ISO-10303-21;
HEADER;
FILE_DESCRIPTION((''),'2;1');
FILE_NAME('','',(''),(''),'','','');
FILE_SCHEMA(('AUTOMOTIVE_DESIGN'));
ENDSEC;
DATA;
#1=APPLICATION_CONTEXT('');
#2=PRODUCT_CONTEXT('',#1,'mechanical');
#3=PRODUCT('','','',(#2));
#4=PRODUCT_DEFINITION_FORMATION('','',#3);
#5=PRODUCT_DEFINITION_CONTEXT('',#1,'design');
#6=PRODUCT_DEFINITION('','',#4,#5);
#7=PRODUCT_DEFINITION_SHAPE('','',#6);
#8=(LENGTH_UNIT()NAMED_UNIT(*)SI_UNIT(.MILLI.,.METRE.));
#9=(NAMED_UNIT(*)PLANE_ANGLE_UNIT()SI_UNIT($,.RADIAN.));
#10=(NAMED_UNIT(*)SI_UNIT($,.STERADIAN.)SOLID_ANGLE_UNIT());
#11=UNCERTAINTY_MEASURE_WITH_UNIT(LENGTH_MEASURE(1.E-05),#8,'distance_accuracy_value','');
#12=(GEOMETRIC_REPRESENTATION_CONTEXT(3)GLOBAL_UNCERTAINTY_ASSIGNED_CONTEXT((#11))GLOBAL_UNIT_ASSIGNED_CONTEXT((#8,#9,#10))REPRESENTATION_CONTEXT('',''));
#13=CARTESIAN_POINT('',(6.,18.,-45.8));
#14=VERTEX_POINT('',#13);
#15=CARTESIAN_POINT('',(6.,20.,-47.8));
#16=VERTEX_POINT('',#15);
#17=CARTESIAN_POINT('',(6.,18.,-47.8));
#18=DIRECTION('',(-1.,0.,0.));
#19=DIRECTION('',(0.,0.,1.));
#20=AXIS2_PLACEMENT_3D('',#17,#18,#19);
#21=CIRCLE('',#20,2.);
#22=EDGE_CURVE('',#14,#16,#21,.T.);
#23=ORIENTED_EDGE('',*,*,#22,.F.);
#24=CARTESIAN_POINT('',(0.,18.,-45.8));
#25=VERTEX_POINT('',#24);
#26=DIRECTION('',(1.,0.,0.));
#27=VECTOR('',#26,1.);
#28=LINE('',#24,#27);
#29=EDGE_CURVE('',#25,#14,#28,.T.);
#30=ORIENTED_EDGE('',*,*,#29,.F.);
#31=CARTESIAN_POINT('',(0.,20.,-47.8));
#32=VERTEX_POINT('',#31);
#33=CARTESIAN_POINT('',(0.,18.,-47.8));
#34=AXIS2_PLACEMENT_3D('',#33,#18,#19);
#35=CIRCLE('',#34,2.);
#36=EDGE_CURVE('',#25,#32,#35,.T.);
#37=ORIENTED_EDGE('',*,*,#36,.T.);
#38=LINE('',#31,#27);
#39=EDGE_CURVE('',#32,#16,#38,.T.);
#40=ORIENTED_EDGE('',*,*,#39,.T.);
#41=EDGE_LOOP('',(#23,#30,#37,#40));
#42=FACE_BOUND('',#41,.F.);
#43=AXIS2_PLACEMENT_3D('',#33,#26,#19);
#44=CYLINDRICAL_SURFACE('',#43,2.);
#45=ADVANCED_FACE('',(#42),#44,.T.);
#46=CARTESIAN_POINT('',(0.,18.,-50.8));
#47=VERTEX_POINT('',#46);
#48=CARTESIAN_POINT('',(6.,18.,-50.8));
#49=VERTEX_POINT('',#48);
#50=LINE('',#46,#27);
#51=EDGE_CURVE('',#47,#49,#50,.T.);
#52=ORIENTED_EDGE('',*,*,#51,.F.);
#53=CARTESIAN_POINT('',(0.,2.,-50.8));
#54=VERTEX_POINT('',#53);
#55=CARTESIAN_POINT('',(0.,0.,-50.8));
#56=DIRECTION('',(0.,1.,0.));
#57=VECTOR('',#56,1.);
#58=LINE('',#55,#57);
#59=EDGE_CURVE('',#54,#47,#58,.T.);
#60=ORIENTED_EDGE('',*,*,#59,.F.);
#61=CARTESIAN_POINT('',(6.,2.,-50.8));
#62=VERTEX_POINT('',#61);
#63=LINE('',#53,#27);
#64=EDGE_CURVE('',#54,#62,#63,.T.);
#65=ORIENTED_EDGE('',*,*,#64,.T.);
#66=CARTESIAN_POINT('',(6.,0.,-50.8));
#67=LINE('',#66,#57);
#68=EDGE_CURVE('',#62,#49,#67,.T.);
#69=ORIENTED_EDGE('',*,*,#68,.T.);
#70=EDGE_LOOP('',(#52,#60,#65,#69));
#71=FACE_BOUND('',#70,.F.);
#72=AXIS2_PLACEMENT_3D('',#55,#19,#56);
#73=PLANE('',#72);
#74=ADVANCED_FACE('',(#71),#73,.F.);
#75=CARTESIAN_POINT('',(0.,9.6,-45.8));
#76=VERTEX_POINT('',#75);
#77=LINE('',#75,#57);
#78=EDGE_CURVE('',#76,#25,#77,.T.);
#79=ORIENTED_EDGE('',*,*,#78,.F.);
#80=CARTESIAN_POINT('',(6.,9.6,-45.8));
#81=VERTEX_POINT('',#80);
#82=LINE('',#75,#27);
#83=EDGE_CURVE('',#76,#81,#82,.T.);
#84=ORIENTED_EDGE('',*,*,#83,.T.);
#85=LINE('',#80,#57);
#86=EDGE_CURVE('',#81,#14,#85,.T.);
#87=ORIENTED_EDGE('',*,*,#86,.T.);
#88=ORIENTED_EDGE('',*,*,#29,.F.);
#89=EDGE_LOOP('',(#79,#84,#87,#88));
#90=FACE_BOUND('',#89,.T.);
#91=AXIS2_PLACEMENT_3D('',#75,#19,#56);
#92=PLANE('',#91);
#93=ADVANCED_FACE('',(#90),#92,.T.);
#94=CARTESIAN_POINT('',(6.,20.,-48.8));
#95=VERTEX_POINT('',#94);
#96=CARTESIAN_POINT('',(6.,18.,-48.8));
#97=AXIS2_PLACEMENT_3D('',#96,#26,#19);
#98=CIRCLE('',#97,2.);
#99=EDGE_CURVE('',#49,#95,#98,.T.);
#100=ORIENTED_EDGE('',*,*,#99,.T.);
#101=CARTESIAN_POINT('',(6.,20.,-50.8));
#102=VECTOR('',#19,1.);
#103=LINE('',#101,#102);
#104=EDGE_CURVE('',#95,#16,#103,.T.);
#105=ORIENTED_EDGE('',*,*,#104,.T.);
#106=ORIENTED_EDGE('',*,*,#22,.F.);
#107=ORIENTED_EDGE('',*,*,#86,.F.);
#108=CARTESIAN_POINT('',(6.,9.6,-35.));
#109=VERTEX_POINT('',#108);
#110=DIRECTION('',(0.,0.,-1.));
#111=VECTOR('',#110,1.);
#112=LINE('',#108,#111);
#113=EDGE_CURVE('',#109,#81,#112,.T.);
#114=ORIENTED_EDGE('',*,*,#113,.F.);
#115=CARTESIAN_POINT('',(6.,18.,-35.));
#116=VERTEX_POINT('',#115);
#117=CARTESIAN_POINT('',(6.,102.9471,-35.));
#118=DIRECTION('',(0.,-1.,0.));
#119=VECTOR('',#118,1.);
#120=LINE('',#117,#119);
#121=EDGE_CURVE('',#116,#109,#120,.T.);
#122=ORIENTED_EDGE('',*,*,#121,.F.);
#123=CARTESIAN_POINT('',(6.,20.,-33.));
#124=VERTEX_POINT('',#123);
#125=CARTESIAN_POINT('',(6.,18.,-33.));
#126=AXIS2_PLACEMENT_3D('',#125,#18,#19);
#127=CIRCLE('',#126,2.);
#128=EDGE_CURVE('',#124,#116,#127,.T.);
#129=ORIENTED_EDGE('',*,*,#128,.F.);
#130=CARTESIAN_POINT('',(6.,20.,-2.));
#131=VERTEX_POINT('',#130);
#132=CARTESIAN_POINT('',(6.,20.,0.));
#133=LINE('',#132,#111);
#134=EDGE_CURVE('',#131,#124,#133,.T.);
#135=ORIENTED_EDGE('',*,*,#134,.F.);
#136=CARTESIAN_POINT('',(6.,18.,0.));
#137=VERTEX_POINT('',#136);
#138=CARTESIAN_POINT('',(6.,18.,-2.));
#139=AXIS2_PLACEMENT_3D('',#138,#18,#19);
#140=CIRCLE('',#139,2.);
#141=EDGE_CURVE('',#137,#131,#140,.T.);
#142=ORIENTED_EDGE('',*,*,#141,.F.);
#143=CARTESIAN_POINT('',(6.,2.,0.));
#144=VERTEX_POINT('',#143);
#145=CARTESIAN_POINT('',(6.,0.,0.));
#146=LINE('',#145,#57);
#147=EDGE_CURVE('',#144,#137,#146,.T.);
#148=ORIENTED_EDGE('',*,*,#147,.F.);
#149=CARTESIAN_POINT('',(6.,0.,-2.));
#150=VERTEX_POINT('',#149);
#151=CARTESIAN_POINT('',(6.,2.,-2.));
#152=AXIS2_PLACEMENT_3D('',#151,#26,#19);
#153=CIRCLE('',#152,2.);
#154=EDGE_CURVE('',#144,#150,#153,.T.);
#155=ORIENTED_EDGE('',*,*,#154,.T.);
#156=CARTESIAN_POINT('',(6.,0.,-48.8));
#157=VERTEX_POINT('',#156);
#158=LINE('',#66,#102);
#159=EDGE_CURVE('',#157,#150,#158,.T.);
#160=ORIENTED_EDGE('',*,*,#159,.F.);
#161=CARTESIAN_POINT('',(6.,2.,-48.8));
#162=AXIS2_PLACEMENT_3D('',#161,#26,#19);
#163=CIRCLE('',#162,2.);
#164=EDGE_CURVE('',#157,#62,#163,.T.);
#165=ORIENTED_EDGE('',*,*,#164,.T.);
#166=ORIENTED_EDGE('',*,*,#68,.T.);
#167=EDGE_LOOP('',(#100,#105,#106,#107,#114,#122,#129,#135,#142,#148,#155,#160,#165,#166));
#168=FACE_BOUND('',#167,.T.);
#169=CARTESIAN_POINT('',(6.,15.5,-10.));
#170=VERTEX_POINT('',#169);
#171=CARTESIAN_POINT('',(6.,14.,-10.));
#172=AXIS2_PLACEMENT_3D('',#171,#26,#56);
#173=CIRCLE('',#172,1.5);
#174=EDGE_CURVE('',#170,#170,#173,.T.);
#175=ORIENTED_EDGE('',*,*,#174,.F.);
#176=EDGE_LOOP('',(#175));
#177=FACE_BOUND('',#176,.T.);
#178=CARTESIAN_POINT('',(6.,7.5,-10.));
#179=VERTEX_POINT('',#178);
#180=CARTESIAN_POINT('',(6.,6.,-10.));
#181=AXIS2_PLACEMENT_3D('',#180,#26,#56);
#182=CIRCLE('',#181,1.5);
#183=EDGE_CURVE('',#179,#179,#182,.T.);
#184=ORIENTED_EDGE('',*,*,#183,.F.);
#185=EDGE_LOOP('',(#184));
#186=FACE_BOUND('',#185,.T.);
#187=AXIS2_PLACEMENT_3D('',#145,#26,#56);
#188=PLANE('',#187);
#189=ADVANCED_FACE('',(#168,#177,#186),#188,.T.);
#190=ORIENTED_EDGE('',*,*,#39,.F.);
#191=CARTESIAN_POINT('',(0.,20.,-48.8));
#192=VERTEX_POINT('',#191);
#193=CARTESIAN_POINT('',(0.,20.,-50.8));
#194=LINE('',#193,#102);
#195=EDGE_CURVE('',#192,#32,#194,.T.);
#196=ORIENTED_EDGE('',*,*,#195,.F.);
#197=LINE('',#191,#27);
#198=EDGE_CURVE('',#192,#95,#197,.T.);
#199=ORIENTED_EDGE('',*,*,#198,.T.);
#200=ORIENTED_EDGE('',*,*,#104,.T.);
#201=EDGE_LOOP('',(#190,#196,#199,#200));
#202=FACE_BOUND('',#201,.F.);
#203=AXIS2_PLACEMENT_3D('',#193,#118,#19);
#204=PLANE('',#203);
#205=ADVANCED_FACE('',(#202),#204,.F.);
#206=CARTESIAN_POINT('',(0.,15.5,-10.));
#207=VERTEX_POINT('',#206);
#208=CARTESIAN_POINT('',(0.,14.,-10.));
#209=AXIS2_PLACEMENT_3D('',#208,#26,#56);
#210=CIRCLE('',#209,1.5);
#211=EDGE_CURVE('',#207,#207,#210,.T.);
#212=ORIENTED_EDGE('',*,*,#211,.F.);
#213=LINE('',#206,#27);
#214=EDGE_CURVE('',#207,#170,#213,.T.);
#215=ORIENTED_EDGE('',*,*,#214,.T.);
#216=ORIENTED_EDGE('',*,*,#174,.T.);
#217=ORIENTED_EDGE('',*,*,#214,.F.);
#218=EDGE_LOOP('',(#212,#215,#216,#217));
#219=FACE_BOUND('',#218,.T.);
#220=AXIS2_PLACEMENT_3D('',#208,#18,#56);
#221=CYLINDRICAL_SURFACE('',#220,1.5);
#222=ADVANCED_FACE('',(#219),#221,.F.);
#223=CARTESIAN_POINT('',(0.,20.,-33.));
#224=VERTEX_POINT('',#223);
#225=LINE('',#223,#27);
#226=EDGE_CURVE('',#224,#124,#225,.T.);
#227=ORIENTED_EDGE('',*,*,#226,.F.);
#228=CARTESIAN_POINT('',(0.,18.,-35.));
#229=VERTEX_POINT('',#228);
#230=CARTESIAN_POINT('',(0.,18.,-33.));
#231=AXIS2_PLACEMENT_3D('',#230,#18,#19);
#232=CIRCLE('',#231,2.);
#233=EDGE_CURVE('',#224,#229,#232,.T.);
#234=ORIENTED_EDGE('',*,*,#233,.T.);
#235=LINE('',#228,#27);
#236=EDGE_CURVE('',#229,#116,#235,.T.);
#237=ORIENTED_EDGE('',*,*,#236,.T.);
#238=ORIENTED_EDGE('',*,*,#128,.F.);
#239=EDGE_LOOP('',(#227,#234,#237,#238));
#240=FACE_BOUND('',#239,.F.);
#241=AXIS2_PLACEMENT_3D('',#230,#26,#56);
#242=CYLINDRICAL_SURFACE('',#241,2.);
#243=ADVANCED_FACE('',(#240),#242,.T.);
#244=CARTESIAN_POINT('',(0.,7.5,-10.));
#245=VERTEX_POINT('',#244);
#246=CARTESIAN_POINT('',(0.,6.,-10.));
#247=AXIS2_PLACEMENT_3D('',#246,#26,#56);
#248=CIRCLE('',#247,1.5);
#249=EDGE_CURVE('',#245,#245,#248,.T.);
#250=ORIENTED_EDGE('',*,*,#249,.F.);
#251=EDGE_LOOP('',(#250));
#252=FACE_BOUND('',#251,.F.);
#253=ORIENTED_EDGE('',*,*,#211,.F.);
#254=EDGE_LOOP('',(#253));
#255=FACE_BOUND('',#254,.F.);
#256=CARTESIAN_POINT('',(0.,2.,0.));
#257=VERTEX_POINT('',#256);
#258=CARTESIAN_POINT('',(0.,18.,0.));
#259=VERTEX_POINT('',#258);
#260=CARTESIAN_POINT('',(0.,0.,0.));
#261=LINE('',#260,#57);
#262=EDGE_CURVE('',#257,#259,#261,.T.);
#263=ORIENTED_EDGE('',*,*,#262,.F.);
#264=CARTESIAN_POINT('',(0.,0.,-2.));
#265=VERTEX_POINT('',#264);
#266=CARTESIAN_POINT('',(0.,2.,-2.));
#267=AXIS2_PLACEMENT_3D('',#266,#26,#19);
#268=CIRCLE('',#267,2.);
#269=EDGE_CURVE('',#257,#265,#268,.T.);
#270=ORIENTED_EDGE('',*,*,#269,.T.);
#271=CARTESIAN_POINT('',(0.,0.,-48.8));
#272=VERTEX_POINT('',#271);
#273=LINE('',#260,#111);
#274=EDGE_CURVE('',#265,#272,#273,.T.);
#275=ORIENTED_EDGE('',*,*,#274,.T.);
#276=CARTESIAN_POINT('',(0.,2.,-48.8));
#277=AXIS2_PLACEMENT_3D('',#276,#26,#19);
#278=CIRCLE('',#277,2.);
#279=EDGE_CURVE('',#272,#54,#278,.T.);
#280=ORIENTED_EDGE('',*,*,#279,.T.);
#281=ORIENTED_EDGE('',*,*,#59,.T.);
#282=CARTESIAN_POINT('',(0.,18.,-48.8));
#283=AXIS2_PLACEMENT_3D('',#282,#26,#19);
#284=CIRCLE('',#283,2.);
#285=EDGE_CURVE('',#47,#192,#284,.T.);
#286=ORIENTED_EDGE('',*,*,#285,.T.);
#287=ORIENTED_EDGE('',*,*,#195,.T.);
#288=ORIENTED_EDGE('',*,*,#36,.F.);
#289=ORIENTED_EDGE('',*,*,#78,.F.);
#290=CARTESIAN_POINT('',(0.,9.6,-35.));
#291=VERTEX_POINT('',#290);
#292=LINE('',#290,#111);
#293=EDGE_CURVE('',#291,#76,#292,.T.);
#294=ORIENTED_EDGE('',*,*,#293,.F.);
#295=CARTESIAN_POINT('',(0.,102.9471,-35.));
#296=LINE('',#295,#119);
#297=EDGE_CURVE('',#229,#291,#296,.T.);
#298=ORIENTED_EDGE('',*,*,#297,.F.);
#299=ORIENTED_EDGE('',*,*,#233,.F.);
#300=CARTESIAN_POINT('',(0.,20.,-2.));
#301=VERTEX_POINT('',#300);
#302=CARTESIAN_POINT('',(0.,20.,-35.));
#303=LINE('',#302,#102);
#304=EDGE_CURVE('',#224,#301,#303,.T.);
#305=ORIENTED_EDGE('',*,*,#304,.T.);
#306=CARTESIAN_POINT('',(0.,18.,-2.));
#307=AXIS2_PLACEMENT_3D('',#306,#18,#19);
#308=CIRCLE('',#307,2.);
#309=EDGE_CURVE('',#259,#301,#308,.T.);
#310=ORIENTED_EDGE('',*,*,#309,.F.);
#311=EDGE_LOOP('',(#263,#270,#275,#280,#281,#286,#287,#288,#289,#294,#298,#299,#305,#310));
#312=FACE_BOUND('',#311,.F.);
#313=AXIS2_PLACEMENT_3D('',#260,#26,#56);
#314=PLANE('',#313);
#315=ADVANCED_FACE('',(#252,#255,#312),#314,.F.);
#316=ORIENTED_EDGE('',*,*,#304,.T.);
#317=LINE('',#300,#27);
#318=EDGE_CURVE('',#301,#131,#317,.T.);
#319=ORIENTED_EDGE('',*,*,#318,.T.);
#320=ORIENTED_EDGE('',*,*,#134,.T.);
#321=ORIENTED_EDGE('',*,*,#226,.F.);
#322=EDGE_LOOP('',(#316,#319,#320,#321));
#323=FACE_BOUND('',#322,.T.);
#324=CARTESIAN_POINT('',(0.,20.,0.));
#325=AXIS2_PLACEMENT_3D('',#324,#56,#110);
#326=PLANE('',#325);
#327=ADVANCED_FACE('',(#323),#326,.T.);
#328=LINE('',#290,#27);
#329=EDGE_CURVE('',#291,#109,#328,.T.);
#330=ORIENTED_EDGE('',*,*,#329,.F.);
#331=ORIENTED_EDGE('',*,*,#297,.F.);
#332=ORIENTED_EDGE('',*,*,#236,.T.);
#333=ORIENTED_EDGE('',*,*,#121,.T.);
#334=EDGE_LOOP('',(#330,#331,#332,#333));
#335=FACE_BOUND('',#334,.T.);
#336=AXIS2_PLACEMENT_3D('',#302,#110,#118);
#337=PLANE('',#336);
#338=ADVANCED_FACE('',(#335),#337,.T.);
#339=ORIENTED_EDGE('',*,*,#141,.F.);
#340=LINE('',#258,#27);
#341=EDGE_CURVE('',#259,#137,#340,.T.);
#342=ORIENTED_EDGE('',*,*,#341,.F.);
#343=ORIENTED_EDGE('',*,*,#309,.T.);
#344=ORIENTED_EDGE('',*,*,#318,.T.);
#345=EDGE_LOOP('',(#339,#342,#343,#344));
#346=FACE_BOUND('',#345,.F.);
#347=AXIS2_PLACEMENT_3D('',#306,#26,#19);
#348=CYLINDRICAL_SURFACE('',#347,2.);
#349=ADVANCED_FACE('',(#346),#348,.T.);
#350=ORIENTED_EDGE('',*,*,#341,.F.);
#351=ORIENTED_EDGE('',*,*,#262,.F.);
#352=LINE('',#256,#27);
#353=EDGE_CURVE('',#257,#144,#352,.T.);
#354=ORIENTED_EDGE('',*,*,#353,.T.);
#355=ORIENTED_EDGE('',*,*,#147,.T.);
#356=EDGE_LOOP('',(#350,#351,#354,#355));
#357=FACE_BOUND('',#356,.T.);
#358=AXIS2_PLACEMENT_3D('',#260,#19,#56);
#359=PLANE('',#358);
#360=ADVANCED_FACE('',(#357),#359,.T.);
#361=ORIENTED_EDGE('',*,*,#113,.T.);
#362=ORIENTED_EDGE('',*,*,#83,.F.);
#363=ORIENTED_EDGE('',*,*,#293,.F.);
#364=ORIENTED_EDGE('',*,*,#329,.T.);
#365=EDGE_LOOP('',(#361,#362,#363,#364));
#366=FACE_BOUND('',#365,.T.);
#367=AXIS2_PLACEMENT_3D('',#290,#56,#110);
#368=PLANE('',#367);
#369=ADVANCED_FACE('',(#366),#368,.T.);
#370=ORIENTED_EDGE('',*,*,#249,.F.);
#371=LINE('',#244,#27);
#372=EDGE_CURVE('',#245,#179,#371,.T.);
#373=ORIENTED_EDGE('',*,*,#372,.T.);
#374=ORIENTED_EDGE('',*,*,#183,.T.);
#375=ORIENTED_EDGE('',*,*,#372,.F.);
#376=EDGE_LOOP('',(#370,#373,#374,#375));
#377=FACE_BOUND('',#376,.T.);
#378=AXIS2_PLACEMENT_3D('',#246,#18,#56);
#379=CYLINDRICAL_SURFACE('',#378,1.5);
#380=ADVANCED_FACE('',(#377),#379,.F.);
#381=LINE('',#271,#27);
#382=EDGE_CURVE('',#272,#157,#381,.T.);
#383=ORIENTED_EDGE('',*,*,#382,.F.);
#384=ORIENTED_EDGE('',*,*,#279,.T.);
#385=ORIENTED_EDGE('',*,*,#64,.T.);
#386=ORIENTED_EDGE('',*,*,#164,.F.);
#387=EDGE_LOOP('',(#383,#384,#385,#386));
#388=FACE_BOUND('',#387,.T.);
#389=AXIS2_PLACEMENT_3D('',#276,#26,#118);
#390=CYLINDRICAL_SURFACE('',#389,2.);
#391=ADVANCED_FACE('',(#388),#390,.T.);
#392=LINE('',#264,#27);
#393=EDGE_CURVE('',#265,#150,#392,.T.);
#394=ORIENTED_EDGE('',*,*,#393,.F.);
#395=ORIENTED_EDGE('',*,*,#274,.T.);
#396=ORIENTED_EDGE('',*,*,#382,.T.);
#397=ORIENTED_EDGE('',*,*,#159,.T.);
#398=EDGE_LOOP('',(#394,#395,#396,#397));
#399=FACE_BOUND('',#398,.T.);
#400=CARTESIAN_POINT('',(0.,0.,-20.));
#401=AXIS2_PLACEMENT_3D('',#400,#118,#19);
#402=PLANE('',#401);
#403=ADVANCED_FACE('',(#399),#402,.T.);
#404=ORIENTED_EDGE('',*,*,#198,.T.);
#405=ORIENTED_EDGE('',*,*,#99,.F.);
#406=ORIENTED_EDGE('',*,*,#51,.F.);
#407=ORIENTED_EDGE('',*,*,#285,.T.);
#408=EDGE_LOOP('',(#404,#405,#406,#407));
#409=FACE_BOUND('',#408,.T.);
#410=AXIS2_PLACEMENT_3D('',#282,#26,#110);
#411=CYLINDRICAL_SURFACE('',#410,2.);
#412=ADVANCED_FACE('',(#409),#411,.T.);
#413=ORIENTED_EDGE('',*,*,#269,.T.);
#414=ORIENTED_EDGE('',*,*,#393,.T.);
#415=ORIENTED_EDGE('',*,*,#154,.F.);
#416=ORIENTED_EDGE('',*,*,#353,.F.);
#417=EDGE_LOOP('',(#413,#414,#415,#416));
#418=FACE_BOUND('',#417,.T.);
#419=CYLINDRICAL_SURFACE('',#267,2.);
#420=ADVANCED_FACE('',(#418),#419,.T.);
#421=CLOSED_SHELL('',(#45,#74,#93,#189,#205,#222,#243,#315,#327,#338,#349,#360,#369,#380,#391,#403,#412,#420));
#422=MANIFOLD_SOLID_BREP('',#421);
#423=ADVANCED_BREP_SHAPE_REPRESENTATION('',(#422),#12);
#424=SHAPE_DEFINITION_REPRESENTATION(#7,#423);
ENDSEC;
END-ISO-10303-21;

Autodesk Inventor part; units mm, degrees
ref_plane "YZ Plane" through (0, 0, 0) normal (1, 0, 0) x (0, 1, 0)
ref_plane "XZ Plane" through (0, 0, 0) normal (0, 1, 0) x (-1, 0, 0)
ref_plane "XY Plane" through (0, 0, 0) normal (0, 0, 1) x (1, 0, 0)
sketch "スケッチ1" plane through (0, 0, 0) normal (1, 0, 0) x (0, 1, 0)
  line L0 (0, 0) -> (20, 0)
  line L1 (20, 0) -> (20, -20)
  line L2 (20, -20) -> (0, -20)
  line L3 (0, -20) -> (0, 0)
  line L4 (102.9471, -35) -> (9.6, -35)
  line L5 (9.6, -35) -> (9.6, -45.8)
  line L6 (9.6, -45.8) -> (102.9471, -45.8)
  line L7 (102.9471, -45.8) -> (102.9471, -35)
  circle A0 centre (14, -10) radius 1.5
  circle A1 centre (6, -10) radius 1.5
  line L8 (20, -45.8) -> (0, -45.8)
  line L9 (0, -45.8) -> (0, -50.8)
  line L10 (0, -50.8) -> (20, -50.8)
  line L11 (20, -50.8) -> (20, -45.8)
  line L12 (0, -20) -> (0, -45.8)
  line L13 (20, -20) -> (20, -35)
  dimension "d0" = 20
  dimension "d1" = 20
  dimension "d2" = 10.8
  dimension "d3" = 9.6
  dimension "d4" = 15
  dimension "d5" = 3
  dimension "d6" = 3
  dimension "d7" = 10
  dimension "d8" = 10
  dimension "d9" = 6
  dimension "d10" = 8
  dimension "d11" = 5
  dimension "d12" = 20
  dimension "d13" = 0
extrude "押し出し1" add sketch "スケッチ1" along normal blind 6 contours L0 L1 L2 L3 | L2 L13 L4 L5 L8 L12 | L8 L6 L11 L10 L9
fillet "フィレット1" radius 2 6 edges at (3, 0, 0) (3, 20, 0) (3, 20, -35) (3, 20, -45.8) (3, 20, -50.8) (3, 0, -50.8)
sketch "スケッチ2" plane through (6, 0, 0) normal (1, 0, 0) x (0, 0, -1)
  arc A0 (48.8, 0) -> (50.8, 2) centre (48.8, 2) ccw projected
  line L0 (50.8, 2) -> (50.8, 18) projected
  arc A1 (50.8, 18) -> (48.8, 20) centre (48.8, 18) ccw projected
  line L1 (48.8, 20) -> (47.8, 20) projected
  arc A2 (47.8, 20) -> (45.8, 18) centre (47.8, 18) ccw projected
  line L2 (45.8, 18) -> (45.8, 9.6) projected
  line L3 (45.8, 9.6) -> (35, 9.6) projected
  line L4 (35, 9.6) -> (35, 18) projected
  arc A3 (35, 18) -> (33, 20) centre (33, 18) ccw projected
  line L5 (33, 20) -> (2, 20) projected
  arc A4 (2, 20) -> (0, 18) centre (2, 18) ccw projected
  line L6 (0, 18) -> (0, 2) projected
  arc A5 (0, 2) -> (2, 0) centre (2, 2) ccw projected
  line L7 (2, 0) -> (48.8, 0) projected
  circle A6 centre (10, 6) radius 1.5 projected
  circle A7 centre (10, 14) radius 1.5 projected
  point P0 (0, 0)
equation "\"d12\" = d1"
properties part number "base_weel-v2-POM-pc-F-1" material "ABS プラスチック"
